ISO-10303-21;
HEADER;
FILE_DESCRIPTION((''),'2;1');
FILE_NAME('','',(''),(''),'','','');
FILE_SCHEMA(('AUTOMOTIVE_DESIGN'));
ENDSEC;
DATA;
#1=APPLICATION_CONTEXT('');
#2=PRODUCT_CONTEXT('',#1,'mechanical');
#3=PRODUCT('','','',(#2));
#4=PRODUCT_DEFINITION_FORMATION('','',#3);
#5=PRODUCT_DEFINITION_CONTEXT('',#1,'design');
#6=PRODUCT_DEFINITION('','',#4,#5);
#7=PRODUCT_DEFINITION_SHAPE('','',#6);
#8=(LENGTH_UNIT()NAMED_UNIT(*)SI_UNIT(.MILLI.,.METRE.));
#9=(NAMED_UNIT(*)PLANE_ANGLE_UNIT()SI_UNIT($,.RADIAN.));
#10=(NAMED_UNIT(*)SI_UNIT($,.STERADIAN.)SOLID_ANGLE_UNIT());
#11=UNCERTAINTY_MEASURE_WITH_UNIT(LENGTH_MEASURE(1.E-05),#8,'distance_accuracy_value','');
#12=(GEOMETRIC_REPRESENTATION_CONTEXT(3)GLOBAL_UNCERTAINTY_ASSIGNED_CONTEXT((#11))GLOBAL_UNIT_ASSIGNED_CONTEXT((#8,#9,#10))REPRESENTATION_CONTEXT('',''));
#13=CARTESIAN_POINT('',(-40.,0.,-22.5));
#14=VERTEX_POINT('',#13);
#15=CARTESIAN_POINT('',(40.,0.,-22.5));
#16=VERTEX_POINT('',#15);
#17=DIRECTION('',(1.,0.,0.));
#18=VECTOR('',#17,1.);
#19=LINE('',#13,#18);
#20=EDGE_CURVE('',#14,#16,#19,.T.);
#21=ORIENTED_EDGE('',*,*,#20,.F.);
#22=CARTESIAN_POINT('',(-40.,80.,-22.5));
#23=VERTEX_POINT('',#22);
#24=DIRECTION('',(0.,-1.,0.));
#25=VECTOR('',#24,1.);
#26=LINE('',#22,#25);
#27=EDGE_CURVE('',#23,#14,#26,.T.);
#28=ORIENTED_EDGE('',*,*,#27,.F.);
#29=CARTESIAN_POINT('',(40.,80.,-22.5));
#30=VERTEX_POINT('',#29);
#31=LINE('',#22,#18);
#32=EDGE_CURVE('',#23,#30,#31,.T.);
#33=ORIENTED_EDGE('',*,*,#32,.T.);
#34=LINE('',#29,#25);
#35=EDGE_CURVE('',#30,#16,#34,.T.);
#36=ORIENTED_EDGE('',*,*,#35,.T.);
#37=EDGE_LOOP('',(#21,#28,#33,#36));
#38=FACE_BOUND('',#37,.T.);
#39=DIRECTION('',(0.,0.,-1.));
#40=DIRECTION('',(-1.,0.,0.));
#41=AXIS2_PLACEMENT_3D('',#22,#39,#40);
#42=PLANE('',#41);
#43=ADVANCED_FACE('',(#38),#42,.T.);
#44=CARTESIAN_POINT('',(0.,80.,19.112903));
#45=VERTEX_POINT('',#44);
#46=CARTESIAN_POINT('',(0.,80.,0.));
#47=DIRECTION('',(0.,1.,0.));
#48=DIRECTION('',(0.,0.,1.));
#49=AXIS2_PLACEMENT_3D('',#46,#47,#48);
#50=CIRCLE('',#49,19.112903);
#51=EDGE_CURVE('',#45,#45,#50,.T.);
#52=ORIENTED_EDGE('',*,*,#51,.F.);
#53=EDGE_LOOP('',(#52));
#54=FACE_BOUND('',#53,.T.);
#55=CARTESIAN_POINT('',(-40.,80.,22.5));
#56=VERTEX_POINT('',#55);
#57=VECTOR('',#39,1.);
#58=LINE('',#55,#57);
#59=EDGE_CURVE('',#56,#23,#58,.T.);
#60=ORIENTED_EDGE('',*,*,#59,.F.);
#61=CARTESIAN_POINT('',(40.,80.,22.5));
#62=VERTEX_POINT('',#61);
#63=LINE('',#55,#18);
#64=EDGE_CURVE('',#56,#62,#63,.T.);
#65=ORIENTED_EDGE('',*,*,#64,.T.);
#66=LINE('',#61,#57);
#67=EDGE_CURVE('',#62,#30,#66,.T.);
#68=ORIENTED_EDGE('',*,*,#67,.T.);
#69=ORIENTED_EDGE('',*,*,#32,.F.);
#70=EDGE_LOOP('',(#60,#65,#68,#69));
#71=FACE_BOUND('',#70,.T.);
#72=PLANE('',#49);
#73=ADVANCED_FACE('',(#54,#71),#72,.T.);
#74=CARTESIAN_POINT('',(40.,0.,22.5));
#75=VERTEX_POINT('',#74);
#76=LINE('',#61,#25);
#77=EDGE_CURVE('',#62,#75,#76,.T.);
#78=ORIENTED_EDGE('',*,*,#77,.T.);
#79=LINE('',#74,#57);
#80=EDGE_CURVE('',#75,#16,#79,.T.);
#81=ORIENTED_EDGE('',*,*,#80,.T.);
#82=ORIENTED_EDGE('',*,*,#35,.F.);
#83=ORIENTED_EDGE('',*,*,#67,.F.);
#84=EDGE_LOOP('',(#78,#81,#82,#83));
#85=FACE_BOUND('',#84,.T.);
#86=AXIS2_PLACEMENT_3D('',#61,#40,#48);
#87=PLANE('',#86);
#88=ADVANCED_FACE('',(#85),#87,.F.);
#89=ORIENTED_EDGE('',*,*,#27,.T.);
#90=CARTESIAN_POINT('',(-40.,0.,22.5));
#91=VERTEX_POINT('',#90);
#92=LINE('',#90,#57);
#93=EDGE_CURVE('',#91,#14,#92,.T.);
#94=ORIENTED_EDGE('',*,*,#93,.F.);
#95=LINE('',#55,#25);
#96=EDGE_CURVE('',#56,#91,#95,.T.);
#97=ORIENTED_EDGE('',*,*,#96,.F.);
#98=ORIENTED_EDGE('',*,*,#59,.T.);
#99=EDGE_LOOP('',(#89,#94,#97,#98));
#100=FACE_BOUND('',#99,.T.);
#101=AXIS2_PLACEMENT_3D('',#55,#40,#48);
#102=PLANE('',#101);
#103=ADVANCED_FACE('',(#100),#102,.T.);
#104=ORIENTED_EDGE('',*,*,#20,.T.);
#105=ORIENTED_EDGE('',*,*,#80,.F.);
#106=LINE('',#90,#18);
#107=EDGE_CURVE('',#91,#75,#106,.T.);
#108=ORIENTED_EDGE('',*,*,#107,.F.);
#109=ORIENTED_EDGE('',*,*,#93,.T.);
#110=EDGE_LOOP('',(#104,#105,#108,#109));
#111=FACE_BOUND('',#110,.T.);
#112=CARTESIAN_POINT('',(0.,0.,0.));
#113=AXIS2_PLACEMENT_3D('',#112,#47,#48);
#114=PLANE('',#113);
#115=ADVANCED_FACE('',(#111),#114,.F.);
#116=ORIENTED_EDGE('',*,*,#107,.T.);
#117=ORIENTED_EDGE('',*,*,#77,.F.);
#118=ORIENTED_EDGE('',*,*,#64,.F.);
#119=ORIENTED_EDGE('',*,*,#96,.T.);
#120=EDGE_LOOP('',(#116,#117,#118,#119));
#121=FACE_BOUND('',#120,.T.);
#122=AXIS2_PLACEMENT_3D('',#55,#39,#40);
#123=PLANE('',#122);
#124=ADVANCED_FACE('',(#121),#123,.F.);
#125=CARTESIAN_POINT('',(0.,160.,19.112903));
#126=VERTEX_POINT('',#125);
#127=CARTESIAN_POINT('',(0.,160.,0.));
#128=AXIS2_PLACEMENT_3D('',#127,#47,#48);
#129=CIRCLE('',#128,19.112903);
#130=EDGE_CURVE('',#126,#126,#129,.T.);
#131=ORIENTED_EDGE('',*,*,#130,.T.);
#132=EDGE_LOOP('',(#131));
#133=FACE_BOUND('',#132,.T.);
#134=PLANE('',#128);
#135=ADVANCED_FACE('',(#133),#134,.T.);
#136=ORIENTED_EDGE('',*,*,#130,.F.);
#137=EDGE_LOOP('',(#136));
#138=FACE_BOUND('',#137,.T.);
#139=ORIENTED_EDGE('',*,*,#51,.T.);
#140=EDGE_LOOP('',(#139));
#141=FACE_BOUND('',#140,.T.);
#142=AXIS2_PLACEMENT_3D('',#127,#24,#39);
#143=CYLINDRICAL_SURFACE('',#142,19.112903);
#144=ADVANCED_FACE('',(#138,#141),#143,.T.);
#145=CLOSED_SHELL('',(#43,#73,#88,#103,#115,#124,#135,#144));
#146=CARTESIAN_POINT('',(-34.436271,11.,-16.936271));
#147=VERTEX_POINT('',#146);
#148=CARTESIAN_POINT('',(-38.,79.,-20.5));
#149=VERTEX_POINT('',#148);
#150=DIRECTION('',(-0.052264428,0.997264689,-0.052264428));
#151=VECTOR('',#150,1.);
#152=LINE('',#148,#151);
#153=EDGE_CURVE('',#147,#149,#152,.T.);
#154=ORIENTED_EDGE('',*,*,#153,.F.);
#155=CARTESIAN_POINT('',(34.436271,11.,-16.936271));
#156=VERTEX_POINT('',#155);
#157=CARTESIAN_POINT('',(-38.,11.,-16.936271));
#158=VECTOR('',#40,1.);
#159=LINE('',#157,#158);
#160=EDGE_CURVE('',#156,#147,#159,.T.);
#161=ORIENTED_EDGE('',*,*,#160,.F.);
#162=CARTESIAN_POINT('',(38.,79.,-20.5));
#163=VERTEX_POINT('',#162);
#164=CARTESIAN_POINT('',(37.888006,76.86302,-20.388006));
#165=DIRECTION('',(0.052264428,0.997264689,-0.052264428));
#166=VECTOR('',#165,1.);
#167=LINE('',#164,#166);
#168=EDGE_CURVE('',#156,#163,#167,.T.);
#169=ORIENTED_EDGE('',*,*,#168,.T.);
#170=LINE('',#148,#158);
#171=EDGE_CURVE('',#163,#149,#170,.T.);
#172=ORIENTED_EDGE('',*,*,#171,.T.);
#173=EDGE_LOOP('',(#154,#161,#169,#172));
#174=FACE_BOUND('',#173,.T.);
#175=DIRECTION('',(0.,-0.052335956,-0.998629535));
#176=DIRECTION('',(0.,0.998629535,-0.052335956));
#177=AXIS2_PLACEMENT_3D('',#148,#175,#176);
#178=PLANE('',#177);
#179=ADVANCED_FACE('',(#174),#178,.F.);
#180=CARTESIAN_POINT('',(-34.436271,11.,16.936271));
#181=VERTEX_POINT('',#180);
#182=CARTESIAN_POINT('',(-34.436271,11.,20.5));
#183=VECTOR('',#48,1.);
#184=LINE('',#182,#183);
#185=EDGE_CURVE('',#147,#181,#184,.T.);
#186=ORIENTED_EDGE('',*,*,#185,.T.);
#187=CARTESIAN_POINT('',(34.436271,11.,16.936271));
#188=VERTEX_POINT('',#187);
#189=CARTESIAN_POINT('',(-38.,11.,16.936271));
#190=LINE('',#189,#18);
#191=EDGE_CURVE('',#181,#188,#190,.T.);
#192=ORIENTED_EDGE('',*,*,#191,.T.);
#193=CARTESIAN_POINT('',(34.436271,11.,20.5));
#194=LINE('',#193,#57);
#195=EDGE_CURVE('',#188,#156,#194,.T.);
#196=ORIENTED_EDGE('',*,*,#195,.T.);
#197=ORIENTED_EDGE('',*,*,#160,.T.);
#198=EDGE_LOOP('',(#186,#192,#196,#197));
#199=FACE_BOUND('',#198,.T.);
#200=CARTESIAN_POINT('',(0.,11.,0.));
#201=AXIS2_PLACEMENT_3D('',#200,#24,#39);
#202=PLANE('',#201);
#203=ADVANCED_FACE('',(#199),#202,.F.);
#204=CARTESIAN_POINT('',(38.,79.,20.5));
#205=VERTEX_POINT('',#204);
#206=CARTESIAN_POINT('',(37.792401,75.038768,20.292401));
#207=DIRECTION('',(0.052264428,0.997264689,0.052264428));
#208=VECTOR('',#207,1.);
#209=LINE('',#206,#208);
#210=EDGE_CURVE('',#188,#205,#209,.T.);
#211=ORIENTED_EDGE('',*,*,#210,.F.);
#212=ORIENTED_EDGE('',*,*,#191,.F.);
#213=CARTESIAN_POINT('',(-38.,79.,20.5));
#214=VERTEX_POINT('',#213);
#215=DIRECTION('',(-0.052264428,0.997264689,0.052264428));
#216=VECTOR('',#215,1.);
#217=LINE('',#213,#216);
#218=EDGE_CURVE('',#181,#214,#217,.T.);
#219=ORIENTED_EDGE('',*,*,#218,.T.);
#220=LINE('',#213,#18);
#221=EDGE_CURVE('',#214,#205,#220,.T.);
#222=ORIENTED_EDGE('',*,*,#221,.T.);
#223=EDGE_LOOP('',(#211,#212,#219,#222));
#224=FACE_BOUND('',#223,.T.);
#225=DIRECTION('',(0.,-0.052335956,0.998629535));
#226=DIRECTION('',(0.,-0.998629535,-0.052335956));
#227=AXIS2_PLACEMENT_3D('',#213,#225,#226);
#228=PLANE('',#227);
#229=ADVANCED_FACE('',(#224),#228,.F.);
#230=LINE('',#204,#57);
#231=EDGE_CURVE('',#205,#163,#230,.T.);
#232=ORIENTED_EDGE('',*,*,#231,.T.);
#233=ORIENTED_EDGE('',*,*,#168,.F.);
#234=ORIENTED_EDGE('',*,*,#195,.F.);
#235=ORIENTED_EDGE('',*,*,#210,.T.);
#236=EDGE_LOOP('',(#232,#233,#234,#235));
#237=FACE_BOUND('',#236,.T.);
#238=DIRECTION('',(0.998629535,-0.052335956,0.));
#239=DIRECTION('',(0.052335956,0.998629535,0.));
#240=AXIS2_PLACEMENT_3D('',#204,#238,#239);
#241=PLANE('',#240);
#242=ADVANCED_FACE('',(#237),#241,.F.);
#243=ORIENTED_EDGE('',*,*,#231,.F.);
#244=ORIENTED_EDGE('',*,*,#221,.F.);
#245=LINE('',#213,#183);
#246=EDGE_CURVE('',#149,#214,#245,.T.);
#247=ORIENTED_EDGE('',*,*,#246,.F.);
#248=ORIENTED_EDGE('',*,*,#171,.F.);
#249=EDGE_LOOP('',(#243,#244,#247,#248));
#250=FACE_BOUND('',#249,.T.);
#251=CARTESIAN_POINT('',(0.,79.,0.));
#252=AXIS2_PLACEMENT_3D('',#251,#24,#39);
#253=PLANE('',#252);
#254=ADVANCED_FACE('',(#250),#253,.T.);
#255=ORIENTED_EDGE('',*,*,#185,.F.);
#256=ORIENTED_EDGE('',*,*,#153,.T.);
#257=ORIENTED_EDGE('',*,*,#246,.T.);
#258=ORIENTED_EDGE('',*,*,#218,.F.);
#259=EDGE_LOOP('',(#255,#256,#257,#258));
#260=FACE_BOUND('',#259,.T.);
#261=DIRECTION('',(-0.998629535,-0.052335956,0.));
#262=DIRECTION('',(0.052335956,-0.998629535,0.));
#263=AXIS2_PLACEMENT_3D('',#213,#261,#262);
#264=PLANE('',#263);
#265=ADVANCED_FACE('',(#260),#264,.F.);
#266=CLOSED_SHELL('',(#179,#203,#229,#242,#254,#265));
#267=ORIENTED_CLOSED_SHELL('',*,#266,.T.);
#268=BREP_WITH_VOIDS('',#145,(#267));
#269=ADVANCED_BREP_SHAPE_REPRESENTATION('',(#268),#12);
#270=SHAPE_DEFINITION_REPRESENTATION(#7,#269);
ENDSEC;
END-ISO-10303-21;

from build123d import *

# Parameters (mm, degrees)
SKETCH_1_W          = 80
SKETCH_1_H          = 45
EXTRUDE_1_DEPTH     = 80
CUT_EXTRUDE_START   = -1
SKETCH_3_W          = 76
SKETCH_3_H          = 41
CUT_EXTRUDE_1_DEPTH = 68
CUT_EXTRUDE_1_DRAFT = -3
SKETCH_11_R         = 19.112902973
EXTRUDE_2_DEPTH     = 80


with BuildPart() as part:
    # 스케치1 → 보스-돌출1 (new body)
    with BuildSketch(Plane(origin=(0, 0, 0), x_dir=(1, 0, 0), z_dir=(0, 1, 0))):
        Rectangle(SKETCH_1_W, SKETCH_1_H)
    extrude(amount=EXTRUDE_1_DEPTH)


with BuildPart() as cut_extrude_1_tool:
    # 스케치3 → 컷-돌출1 (with draft: the straight prism first)
    with BuildSketch(Plane(origin=(0, 80, 0), x_dir=(1, 0, 0), z_dir=(0, 1, 0)).offset(CUT_EXTRUDE_START)):
        Rectangle(SKETCH_3_W, SKETCH_3_H)
    extrude(amount=-CUT_EXTRUDE_1_DEPTH)
    # 컷-돌출1: the draft: its side faces are tilted about the plane it starts from
    cut_extrude_1_sides = [cut_extrude_1_tool.faces().sort_by_distance(p)[0] for p in [
        (0, 45, 20.5),
        (38, 45, 0),
        (0, 45, -20.5),
        (-38, 45, 0),
    ]]
    draft(cut_extrude_1_sides, Plane(origin=(0, 80, 0), x_dir=(1, 0, 0), z_dir=(0, 1, 0)).offset(CUT_EXTRUDE_START), CUT_EXTRUDE_1_DRAFT)


with BuildPart() as part_1:
    add(part.part)

    # 컷-돌출1: cut by cut_extrude_1_tool
    add(cut_extrude_1_tool.part, mode=Mode.SUBTRACT)

    # 스케치11 → 보스-돌출2 (add)
    with BuildSketch(Plane(origin=(0, 80, 0), x_dir=(1, 0, 0), z_dir=(0, 1, 0))):
        with Locations(Location((0, 0, 0), (0, 0, 270))):
            Circle(SKETCH_11_R)
    extrude(amount=EXTRUDE_2_DEPTH)


solid = part_1.part
